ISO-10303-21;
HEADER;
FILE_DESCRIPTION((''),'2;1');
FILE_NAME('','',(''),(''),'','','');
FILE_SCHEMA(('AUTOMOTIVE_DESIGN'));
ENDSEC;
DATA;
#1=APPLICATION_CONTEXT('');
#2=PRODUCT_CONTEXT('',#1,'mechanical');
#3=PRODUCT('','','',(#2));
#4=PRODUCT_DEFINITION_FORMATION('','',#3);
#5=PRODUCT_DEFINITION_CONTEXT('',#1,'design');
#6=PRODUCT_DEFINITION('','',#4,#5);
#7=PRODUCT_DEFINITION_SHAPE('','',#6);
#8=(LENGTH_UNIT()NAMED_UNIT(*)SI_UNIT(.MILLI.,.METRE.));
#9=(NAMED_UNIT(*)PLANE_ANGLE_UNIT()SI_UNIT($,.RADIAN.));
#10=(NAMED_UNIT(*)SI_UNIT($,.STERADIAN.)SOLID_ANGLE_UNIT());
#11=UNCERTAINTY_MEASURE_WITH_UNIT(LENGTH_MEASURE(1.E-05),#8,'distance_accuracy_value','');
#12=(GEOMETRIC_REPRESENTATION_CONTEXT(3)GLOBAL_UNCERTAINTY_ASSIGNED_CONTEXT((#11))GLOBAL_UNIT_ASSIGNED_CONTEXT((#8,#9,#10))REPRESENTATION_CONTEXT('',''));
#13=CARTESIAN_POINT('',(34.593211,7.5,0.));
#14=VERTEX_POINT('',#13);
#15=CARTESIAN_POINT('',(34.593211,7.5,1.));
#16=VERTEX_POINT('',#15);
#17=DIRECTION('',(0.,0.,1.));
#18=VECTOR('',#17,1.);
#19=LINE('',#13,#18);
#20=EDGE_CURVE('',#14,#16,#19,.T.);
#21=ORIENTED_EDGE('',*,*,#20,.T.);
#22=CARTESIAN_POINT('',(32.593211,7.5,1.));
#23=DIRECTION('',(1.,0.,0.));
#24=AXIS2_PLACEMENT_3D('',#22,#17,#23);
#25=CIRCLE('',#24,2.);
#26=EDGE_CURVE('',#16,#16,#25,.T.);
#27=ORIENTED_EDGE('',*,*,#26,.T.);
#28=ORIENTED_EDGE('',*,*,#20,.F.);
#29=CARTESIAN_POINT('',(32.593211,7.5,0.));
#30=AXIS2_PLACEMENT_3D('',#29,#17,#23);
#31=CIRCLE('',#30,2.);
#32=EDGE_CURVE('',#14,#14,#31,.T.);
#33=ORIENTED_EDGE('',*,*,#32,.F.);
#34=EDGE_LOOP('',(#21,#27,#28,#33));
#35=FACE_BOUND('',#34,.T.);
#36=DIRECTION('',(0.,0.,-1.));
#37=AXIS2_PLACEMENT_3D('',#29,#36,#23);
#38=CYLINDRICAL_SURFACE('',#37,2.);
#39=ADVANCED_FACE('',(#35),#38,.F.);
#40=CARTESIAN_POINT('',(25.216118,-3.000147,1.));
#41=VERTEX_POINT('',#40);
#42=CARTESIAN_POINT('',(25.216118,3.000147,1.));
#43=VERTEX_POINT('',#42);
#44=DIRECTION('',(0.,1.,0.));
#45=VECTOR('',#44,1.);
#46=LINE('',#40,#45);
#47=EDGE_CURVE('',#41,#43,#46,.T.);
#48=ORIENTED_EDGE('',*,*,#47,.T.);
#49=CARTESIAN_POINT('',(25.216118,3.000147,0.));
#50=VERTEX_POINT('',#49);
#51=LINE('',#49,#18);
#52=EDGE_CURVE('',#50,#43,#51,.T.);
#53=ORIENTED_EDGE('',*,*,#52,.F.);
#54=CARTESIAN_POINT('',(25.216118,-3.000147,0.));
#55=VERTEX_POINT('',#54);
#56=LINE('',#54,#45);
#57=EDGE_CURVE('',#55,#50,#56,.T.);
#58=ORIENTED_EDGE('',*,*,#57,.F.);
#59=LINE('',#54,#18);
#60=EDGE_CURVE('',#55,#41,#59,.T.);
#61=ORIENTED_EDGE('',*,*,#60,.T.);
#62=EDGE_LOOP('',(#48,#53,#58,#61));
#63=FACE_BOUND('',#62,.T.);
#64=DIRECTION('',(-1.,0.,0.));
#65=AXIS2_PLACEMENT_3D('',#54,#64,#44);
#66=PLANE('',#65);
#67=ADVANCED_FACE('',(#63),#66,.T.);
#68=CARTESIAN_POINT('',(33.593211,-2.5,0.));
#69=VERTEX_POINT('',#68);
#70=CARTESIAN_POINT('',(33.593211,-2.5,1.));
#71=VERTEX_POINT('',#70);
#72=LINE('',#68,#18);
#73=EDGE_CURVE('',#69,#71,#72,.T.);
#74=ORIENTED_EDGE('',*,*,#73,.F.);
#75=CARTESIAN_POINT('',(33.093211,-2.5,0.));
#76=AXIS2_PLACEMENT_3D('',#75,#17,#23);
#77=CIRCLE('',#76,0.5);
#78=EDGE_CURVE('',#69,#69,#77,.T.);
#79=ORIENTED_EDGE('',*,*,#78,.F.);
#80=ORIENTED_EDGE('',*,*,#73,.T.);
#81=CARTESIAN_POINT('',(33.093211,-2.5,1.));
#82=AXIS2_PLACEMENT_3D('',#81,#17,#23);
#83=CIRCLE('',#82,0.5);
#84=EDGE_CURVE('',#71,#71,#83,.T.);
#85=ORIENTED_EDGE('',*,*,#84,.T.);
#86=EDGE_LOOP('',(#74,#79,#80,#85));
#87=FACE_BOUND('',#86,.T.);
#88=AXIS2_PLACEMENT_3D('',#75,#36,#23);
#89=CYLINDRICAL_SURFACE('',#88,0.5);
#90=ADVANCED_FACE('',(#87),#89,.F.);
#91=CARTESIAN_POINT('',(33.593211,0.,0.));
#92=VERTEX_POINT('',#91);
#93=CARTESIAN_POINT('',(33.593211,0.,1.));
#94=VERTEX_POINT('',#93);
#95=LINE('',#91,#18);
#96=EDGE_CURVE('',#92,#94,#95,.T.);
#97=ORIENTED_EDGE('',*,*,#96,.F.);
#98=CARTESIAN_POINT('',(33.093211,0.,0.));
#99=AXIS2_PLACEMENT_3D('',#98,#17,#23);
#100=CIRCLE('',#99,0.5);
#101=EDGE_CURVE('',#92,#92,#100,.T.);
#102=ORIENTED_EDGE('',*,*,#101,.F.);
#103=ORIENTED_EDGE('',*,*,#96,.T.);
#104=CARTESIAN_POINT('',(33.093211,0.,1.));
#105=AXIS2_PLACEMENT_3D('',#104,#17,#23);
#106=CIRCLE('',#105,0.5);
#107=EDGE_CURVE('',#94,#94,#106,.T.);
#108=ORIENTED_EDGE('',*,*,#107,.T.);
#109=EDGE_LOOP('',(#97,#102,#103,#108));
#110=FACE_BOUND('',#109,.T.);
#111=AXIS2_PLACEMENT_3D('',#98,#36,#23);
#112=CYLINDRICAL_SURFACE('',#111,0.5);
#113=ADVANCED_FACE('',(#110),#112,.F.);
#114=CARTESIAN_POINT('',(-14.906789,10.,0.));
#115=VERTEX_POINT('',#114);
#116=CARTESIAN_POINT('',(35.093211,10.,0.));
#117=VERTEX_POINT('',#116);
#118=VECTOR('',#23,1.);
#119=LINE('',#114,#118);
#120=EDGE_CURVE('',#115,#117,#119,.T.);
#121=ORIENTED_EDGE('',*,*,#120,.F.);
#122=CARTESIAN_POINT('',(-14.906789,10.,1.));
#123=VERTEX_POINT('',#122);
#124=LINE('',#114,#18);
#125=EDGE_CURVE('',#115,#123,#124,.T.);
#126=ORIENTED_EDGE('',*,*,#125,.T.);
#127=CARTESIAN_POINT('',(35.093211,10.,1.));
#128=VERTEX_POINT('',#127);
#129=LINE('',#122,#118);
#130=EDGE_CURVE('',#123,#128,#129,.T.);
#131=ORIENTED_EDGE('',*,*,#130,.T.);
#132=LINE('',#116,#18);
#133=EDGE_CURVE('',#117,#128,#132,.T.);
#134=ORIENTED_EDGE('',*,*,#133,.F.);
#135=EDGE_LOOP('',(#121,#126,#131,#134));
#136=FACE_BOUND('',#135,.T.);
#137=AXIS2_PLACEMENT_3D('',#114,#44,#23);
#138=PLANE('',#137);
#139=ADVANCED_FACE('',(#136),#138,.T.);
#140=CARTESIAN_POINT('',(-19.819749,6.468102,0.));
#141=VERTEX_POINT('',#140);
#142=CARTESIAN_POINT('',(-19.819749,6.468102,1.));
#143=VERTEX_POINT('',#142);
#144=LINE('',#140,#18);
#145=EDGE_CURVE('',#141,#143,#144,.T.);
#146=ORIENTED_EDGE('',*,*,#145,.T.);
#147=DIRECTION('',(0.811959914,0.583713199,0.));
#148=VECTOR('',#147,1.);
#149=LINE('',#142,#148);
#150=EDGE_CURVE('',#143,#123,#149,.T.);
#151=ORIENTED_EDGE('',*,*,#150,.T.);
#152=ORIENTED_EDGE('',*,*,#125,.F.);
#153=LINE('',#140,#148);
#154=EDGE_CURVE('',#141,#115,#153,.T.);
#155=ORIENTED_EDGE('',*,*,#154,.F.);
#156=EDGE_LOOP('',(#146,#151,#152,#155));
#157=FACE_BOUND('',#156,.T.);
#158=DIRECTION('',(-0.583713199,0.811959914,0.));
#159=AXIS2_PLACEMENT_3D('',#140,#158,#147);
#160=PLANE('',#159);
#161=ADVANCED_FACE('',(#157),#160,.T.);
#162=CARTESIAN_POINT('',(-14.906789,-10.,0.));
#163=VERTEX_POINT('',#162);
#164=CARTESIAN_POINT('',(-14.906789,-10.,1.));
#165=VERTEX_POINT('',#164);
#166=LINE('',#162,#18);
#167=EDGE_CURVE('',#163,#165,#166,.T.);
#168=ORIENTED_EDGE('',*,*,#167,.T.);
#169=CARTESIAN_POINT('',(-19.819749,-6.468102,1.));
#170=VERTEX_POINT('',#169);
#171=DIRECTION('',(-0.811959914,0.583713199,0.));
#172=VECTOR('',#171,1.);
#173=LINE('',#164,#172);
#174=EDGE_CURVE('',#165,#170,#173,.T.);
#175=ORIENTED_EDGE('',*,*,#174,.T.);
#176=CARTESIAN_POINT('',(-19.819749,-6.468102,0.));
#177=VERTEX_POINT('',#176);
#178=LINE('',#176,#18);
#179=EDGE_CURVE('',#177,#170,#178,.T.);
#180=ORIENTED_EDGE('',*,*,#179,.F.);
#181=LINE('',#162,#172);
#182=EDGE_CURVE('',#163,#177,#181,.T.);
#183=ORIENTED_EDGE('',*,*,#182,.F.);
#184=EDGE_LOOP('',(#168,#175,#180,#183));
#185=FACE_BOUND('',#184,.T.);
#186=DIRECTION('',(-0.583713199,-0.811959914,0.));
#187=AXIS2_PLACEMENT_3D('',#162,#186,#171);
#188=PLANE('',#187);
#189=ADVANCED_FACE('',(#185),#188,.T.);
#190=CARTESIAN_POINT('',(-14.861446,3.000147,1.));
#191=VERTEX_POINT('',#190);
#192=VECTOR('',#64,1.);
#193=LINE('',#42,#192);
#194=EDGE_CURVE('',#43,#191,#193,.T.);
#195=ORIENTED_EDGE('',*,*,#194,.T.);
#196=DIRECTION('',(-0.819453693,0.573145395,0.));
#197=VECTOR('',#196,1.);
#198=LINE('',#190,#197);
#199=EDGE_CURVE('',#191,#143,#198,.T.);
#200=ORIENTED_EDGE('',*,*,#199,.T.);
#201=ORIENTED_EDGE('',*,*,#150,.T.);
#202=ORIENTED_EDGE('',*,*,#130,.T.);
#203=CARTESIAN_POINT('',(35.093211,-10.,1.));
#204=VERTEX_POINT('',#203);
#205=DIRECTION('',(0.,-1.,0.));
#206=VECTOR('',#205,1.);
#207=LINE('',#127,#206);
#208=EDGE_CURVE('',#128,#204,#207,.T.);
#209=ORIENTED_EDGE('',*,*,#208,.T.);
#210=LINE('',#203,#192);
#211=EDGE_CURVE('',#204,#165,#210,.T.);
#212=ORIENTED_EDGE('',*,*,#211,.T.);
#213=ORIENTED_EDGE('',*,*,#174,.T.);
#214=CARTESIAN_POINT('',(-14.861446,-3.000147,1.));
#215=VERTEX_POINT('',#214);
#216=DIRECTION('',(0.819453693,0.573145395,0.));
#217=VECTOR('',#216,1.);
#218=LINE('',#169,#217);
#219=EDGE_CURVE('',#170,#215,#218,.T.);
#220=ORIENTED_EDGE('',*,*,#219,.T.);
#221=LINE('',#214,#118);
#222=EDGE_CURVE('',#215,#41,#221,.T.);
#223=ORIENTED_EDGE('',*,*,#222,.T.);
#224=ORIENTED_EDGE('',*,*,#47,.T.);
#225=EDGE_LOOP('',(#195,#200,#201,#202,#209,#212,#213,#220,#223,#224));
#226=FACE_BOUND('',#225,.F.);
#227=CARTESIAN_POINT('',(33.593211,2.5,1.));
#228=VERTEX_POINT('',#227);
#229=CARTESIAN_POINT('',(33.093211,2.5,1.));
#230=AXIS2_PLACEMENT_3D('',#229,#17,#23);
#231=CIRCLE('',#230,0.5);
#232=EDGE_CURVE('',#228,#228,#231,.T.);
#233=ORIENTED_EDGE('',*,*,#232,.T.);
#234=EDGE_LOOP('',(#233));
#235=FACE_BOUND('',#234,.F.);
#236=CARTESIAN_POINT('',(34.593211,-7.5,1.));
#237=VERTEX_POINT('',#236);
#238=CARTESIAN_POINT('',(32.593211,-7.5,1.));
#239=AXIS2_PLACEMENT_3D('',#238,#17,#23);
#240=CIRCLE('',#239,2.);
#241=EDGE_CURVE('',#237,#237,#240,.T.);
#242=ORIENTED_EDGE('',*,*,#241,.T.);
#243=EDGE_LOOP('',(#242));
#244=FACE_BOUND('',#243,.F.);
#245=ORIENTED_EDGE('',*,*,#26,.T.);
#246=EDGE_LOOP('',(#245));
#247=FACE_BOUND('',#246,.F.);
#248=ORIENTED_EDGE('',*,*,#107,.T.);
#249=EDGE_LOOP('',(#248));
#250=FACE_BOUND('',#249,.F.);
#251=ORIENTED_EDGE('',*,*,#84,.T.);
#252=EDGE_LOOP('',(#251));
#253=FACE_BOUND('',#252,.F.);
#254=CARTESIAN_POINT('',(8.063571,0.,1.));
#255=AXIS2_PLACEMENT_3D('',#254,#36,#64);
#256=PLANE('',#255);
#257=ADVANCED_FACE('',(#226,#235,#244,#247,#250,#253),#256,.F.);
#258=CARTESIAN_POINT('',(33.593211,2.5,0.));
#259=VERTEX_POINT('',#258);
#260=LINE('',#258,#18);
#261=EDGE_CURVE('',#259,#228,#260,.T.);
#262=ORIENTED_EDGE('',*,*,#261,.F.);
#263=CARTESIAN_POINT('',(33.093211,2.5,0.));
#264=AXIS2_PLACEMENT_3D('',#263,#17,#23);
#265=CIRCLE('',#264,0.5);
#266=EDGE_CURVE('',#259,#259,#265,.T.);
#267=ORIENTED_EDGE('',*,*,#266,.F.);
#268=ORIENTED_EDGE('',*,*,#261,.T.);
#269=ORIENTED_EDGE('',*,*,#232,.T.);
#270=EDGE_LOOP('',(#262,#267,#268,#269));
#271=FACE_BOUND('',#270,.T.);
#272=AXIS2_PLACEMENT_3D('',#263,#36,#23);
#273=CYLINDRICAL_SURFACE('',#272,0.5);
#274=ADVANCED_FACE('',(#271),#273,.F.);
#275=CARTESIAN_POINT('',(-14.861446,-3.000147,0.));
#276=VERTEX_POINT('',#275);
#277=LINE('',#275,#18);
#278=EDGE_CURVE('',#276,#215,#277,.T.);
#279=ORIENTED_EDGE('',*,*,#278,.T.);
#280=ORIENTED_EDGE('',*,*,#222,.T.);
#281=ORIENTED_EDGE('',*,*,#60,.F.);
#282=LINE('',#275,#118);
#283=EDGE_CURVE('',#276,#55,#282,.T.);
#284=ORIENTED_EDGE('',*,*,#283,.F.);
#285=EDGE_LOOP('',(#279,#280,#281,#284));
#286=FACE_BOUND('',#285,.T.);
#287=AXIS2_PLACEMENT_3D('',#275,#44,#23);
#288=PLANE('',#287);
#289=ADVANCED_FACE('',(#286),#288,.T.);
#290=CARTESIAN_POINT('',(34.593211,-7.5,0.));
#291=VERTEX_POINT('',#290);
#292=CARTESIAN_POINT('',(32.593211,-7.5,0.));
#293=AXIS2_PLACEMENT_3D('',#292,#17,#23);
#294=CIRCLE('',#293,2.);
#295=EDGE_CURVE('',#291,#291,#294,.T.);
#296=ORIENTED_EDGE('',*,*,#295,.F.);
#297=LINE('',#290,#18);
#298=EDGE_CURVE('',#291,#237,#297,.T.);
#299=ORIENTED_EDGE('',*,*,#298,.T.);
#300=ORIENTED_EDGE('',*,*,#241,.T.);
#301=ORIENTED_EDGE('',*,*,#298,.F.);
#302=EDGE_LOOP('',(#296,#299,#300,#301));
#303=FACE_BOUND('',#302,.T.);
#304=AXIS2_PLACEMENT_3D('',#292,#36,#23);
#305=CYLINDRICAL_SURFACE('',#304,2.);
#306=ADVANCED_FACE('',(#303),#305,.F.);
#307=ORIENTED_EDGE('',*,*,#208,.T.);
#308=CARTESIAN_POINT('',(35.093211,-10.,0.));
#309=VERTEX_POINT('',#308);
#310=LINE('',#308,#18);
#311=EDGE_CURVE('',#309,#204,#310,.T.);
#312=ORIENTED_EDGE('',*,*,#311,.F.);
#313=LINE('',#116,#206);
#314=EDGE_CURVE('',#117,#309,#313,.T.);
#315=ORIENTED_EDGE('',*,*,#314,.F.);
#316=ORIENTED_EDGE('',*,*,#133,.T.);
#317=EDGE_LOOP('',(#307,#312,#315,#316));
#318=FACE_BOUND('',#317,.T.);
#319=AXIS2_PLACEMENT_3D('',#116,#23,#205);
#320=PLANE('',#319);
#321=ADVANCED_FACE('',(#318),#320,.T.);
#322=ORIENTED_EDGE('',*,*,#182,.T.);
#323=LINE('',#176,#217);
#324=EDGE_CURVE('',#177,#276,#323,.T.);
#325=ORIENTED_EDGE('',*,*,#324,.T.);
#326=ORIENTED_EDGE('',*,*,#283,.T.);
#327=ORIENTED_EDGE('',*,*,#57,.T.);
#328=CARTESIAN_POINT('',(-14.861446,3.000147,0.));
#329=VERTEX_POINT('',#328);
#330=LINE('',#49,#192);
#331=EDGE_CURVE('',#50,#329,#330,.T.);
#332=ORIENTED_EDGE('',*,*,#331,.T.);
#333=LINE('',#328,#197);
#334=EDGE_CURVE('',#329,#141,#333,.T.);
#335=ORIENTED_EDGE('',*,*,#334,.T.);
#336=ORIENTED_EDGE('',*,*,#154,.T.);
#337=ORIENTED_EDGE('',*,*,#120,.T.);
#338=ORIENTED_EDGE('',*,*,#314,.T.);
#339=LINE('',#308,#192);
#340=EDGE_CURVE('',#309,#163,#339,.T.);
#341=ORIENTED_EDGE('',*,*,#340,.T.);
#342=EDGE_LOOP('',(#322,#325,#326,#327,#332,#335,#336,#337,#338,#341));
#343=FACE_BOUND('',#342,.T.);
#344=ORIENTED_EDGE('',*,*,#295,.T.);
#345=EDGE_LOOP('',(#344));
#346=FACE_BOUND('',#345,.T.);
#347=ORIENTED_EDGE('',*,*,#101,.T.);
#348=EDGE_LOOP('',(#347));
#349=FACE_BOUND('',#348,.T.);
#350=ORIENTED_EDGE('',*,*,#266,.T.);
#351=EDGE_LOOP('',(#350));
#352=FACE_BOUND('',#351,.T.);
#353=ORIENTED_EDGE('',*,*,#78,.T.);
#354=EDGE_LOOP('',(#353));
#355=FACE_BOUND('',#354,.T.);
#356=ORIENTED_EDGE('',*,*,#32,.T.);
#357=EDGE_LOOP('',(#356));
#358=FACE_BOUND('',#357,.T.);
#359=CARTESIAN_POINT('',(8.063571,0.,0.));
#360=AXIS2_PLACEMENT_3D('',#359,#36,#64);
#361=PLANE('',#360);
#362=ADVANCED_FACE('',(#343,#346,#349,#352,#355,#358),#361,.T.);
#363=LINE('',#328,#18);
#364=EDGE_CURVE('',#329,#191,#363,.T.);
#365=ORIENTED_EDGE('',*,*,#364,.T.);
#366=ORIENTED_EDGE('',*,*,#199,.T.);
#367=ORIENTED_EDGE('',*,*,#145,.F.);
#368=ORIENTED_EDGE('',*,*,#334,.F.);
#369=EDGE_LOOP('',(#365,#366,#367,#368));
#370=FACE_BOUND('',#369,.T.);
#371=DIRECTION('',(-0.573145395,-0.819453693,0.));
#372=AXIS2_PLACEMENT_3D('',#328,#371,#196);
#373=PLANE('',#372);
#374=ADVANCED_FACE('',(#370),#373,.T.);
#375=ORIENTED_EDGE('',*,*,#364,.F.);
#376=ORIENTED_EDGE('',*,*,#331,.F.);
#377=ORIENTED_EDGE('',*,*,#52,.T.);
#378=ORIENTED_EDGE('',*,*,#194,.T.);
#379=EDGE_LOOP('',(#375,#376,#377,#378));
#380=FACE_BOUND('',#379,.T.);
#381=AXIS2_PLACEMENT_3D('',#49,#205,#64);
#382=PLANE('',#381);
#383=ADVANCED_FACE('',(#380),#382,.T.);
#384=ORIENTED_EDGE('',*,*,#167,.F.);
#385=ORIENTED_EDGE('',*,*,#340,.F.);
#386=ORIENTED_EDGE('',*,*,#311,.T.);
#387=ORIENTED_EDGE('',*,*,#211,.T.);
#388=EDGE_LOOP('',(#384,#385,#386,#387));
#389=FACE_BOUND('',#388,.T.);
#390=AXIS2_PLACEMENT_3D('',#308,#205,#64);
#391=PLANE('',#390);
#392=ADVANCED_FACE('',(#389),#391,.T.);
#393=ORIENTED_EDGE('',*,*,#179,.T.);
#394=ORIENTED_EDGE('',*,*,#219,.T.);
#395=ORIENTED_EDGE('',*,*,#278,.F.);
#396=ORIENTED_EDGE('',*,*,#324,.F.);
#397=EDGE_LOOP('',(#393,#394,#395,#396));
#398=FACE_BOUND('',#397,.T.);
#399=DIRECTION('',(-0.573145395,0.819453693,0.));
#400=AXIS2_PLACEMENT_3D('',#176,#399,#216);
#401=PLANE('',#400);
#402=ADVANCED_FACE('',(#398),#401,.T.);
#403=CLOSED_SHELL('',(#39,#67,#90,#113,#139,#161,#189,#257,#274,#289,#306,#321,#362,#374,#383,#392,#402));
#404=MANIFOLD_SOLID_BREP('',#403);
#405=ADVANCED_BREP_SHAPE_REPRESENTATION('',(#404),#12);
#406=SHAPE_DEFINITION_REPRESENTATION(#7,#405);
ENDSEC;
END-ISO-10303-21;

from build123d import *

# Parameters (mm, degrees)
SKETCH_R   = 2
SKETCH_R_2 = 0.5
PAD_DEPTH  = 1


with BuildPart() as part:
    # Sketch → Pad (new body)
    with BuildSketch(Plane.XY):
        Polygon((35.093211, 10), (35.093211, -10), (-14.906789, -10), (-19.819749, -6.468102), (-14.861446, -3.000147), (25.216118, -3.000147), (25.216118, 3.000147), (-14.861446, 3.000147), (-19.819749, 6.468102), (-14.906789, 10), align=None)
        with Locations((32.593211, 7.5)):
            Circle(SKETCH_R, mode=Mode.SUBTRACT)
        with Locations((32.593211, -7.5)):
            Circle(SKETCH_R, mode=Mode.SUBTRACT)
        with Locations((33.093211, 2.5)):
            Circle(SKETCH_R_2, mode=Mode.SUBTRACT)
        with Locations((33.093211, 0)):
            Circle(SKETCH_R_2, mode=Mode.SUBTRACT)
        with Locations((33.093211, -2.5)):
            Circle(SKETCH_R_2, mode=Mode.SUBTRACT)
    extrude(amount=PAD_DEPTH)


solid = part.part
